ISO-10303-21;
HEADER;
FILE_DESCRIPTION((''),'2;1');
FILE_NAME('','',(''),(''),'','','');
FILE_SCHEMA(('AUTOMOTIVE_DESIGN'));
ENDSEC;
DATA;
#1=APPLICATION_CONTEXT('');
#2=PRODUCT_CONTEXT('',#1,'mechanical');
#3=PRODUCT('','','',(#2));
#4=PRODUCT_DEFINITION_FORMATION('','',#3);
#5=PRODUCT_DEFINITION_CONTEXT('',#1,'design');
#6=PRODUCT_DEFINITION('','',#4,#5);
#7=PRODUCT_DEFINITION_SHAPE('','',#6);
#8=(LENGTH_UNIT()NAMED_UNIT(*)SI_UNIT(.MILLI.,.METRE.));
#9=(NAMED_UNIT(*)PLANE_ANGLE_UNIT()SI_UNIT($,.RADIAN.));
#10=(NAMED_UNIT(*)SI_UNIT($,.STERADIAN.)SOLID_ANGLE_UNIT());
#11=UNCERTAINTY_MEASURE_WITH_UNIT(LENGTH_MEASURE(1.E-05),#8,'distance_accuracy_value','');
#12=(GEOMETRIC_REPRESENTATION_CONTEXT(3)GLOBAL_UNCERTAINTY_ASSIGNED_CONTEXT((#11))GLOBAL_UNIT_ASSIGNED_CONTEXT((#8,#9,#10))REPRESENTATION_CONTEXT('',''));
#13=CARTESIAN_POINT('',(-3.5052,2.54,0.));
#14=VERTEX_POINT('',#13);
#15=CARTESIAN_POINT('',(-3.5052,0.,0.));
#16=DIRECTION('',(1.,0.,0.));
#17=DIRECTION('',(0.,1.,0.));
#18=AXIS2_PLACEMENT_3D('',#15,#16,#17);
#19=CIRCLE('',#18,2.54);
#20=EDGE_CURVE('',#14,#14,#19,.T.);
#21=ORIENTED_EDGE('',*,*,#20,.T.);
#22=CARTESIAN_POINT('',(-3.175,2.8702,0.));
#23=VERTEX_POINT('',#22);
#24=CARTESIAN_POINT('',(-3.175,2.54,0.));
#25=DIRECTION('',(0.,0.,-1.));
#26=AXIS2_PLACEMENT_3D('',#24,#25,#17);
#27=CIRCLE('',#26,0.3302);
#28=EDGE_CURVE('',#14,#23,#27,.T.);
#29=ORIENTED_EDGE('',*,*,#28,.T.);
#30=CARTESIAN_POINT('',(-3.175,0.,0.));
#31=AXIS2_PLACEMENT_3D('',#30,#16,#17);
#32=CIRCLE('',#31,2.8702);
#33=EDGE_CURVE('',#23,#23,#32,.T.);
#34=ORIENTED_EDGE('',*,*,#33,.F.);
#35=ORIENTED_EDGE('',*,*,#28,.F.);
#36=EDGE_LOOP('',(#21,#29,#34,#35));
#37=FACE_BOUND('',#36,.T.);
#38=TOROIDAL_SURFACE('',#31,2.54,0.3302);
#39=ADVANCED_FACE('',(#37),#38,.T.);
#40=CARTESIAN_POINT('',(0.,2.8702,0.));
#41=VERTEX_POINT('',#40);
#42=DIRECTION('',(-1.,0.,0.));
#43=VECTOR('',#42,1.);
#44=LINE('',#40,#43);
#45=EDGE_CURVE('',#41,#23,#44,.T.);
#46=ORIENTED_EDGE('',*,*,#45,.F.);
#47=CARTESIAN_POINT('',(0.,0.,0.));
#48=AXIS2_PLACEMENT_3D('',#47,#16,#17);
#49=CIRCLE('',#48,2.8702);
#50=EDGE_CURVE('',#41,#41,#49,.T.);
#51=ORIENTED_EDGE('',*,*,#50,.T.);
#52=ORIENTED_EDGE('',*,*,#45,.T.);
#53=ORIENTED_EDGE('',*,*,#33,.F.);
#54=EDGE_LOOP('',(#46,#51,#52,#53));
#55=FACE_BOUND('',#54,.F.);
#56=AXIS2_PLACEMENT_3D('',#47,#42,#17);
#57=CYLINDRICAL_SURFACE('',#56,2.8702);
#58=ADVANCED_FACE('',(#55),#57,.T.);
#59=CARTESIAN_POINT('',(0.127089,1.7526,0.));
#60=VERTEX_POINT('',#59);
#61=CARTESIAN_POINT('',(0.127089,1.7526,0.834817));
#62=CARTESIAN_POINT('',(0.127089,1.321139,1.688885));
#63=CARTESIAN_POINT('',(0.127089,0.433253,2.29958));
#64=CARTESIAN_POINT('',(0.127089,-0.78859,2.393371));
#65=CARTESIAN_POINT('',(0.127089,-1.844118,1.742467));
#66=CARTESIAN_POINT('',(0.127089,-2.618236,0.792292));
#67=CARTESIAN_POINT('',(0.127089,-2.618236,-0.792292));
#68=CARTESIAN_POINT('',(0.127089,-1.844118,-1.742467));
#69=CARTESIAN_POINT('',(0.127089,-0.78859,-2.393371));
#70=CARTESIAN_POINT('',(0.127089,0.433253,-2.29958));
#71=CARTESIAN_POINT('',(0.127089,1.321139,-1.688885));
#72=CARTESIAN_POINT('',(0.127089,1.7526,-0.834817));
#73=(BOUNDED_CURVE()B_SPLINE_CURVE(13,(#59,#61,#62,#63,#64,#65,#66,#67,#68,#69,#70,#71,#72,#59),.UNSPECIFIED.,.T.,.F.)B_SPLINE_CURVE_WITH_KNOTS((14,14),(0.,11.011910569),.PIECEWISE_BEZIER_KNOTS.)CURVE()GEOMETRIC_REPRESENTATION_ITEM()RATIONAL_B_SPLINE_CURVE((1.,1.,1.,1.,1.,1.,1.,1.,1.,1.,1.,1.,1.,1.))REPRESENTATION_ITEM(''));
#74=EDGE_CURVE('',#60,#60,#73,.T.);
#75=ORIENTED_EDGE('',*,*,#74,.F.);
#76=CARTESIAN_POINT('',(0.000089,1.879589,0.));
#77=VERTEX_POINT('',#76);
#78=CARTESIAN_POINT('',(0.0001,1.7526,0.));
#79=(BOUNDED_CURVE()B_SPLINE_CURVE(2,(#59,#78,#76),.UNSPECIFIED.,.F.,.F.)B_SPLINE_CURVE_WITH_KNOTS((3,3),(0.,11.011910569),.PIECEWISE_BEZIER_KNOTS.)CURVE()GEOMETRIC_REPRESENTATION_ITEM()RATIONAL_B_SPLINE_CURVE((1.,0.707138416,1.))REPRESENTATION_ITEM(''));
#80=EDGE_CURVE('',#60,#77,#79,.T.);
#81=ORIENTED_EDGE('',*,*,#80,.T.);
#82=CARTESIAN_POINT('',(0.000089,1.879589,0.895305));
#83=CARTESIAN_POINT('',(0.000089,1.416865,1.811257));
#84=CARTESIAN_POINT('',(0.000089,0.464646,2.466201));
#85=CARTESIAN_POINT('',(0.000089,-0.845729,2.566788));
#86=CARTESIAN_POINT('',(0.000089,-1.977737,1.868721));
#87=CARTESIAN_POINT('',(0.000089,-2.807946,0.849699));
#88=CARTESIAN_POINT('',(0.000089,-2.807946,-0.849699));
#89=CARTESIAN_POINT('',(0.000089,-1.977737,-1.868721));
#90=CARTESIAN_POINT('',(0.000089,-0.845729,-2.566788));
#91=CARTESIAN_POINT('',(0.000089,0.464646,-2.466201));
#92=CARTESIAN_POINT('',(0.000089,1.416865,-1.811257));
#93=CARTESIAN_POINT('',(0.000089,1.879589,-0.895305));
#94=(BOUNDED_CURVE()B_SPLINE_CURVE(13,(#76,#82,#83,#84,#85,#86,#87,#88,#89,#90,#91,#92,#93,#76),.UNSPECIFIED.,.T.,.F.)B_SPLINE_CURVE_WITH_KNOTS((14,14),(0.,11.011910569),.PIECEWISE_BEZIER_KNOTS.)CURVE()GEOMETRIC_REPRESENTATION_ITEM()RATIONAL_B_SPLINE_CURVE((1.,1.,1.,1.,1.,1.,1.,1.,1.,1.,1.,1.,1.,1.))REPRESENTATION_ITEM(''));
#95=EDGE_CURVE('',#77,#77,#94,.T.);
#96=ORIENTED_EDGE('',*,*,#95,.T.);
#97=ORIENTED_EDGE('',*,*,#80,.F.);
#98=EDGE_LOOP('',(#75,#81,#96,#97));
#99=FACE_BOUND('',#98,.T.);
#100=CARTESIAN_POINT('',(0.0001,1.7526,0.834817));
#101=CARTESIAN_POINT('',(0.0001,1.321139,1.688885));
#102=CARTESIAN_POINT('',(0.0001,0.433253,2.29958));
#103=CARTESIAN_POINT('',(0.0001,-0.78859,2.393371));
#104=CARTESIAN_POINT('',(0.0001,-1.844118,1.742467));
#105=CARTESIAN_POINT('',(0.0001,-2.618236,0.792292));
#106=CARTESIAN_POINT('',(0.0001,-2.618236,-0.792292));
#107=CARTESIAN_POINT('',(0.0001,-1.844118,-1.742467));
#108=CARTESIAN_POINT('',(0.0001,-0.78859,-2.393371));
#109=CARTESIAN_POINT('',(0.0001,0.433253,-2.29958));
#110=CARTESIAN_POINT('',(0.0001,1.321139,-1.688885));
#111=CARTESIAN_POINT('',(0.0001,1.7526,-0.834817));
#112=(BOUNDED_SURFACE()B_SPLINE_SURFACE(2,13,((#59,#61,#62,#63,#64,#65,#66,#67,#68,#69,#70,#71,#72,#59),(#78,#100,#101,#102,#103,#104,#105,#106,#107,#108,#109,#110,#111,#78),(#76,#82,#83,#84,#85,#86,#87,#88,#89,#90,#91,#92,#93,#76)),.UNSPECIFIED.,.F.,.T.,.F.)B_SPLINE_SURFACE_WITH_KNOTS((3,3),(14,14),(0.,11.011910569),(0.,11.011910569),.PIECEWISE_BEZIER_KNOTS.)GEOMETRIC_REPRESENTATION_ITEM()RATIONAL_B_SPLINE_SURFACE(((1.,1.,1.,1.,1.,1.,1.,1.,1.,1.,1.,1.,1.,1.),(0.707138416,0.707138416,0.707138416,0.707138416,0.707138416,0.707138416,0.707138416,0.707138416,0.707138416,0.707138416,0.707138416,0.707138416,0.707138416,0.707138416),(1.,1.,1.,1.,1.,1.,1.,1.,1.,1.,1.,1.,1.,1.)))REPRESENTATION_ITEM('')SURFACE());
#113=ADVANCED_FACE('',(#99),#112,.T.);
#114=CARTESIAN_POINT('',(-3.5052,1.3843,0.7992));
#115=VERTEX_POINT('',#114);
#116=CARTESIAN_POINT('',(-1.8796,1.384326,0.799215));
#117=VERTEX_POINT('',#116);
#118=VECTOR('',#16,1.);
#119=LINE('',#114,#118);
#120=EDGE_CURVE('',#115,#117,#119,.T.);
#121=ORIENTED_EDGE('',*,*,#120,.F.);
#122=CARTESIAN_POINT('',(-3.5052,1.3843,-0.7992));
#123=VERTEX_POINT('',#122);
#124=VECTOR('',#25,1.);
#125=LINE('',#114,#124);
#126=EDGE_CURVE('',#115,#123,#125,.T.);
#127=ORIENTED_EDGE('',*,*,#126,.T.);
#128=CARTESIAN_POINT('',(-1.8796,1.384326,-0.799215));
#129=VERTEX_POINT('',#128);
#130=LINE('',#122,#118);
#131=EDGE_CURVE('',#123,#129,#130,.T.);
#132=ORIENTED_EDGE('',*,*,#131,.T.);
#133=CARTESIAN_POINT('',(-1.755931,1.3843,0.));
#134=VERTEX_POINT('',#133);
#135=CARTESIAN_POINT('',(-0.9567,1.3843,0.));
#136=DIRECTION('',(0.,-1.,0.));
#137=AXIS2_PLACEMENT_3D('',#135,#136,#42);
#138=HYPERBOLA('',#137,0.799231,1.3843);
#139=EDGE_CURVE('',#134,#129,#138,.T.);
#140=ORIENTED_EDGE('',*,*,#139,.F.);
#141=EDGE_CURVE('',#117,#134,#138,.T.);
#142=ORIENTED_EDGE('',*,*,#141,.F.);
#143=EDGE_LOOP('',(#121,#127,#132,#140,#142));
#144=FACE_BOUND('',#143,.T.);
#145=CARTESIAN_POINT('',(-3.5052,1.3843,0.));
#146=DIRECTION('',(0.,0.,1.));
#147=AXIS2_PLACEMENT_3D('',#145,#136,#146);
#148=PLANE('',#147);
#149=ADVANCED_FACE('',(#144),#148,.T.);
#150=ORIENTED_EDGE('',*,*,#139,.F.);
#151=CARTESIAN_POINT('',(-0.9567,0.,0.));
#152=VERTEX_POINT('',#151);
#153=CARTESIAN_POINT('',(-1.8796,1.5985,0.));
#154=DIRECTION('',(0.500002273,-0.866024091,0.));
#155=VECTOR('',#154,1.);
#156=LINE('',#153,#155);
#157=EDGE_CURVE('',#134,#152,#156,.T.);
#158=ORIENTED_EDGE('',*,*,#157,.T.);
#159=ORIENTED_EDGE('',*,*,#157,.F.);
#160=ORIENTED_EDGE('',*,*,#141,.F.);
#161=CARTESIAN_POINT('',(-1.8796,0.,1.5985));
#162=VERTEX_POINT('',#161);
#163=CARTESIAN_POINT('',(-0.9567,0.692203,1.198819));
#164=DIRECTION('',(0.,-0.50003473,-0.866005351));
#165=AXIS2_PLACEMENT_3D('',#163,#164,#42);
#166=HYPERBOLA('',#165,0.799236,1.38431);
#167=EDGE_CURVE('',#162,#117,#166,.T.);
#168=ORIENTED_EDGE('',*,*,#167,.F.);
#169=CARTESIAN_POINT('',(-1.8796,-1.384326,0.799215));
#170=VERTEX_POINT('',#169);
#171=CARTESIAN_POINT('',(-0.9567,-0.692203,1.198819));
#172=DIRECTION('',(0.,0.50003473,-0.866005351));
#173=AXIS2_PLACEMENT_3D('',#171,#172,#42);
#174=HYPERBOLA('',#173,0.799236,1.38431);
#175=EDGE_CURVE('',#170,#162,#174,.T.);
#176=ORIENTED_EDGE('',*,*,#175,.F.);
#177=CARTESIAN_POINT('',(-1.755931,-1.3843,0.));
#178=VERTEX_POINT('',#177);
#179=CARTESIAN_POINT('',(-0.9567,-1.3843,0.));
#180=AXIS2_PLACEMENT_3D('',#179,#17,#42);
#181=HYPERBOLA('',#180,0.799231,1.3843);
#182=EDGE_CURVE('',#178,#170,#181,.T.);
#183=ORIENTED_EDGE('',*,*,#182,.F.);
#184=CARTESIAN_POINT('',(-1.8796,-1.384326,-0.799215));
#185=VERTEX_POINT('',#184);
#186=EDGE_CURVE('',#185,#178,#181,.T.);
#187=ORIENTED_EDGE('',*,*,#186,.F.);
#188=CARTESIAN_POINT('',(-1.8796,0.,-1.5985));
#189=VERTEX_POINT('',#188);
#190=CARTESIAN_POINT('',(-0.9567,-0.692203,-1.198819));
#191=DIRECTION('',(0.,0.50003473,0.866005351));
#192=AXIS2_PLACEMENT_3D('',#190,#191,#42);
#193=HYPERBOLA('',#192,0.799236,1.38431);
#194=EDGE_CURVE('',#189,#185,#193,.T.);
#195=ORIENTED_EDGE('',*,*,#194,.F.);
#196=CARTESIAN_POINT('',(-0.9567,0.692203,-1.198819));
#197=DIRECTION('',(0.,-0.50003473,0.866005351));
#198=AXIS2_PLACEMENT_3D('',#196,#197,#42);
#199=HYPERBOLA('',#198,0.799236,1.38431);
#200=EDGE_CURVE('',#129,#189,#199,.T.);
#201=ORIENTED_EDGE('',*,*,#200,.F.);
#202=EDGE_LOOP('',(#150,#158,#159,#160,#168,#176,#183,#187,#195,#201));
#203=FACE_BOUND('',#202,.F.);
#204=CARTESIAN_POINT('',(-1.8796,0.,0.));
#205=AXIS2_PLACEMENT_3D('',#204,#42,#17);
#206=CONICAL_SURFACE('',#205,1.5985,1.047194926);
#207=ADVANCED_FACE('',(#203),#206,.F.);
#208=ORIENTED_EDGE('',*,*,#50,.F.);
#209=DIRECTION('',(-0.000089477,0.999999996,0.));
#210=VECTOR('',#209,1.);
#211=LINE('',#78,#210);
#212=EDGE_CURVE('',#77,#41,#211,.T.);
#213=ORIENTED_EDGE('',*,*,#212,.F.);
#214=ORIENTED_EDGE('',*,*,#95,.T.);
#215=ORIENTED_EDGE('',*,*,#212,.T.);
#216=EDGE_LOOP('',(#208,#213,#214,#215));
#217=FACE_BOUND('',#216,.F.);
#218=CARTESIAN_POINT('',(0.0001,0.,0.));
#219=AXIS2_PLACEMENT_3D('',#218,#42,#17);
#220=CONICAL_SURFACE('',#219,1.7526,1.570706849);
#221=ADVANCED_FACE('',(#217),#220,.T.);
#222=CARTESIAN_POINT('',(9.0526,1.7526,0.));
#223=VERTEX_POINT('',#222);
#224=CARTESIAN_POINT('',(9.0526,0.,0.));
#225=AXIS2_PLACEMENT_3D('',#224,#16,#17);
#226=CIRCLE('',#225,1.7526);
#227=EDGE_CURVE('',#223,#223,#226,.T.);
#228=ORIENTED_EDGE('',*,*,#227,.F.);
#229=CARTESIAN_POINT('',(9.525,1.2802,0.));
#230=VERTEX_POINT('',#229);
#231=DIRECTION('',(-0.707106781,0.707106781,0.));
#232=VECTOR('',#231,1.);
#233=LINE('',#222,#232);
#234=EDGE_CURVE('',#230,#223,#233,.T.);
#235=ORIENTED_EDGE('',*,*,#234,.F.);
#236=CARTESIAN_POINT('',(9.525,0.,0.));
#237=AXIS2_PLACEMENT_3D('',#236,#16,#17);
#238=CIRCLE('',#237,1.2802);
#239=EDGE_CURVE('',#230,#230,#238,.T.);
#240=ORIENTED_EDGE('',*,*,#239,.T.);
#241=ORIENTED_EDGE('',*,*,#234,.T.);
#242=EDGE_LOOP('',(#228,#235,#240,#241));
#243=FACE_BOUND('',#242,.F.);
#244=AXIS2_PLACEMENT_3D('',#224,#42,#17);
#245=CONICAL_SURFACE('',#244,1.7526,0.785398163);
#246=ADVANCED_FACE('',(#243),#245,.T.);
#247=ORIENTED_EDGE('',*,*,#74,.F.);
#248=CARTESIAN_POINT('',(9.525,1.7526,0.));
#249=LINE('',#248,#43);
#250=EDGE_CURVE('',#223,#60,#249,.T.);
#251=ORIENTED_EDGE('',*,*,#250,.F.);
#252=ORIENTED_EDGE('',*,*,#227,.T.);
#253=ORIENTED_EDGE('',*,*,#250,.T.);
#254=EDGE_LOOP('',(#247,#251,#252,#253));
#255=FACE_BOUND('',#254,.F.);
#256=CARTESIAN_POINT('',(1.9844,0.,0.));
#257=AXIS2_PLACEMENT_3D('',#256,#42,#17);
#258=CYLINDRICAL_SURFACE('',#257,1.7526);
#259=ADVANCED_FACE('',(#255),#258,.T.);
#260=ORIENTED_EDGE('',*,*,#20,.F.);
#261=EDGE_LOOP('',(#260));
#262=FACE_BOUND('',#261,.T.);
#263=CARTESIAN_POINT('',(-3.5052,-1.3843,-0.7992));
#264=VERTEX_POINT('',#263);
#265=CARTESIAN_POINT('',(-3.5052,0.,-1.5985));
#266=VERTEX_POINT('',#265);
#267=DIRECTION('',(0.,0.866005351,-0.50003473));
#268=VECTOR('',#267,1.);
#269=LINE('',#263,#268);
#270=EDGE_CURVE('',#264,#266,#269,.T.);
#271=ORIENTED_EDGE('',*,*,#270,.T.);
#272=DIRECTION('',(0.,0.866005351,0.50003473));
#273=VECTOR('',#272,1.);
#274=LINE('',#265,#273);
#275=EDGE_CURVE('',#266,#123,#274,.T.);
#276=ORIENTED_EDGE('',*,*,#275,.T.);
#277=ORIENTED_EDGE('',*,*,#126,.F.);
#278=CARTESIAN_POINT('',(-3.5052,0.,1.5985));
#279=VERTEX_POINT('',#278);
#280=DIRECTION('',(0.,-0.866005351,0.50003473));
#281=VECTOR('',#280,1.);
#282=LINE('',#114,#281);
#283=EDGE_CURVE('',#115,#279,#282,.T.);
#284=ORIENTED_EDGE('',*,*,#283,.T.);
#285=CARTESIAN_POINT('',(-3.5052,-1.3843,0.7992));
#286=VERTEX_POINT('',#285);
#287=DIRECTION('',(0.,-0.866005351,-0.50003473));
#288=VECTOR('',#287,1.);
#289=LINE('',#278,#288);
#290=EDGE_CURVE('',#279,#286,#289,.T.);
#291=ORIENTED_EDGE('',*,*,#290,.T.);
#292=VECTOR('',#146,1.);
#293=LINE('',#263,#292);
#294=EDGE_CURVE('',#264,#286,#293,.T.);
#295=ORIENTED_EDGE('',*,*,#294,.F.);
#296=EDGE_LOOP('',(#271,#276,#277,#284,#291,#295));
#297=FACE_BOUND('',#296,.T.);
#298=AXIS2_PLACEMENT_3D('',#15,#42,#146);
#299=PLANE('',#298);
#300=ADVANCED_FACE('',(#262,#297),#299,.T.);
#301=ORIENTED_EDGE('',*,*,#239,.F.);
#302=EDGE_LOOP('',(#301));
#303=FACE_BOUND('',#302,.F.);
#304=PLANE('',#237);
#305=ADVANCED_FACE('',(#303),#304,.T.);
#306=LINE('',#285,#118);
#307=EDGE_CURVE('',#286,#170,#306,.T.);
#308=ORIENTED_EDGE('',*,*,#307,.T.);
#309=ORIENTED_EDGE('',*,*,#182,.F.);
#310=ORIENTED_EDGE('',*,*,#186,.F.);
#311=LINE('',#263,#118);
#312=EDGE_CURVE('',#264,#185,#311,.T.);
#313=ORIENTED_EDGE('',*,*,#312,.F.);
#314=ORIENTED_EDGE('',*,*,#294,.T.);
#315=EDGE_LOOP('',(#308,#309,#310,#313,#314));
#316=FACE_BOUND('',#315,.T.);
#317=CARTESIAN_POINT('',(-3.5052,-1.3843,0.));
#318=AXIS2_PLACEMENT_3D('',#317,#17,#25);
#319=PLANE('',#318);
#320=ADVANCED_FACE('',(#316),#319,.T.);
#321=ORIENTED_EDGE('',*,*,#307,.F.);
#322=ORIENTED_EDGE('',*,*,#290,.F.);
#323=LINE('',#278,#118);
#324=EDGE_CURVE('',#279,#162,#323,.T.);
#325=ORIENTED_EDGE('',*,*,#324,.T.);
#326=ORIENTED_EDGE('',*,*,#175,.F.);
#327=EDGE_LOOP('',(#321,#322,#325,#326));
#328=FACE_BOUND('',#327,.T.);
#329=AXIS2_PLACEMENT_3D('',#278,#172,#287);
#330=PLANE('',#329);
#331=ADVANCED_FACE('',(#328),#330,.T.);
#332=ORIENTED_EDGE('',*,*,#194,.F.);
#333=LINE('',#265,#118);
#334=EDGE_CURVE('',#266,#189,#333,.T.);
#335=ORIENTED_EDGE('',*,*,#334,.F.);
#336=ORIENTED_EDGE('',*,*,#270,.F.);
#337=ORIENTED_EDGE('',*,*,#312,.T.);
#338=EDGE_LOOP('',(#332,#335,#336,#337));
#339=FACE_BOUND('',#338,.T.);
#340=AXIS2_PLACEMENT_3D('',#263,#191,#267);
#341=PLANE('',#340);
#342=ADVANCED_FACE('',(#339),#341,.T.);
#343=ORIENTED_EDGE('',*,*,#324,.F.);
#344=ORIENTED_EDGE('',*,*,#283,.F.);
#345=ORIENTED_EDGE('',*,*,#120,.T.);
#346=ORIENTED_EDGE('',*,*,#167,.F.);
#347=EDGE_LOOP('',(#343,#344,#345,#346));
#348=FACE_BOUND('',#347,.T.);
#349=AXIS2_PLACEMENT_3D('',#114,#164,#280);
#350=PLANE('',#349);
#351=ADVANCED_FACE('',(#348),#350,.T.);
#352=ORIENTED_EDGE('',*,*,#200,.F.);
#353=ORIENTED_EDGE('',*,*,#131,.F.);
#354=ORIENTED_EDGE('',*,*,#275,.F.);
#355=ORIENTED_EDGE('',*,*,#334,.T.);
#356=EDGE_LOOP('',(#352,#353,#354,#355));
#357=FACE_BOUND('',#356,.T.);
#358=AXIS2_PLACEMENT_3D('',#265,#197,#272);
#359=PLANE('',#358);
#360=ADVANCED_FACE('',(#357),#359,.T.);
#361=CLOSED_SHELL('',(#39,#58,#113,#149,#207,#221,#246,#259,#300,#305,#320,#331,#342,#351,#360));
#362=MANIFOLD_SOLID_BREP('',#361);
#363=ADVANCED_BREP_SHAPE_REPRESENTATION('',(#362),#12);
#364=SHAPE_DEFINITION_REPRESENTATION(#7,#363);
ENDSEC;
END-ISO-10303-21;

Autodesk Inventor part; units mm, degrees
ref_plane "YZ Plane" through (0, 0, 0) normal (1, 0, 0) x (0, 1, 0)
ref_plane "XZ Plane" through (0, 0, 0) normal (0, 1, 0) x (-1, 0, 0)
sketch "Sketch1" plane through (0, 0, 0) normal (0, 0, 1) x (1, 0, 0)
  line L0 (-0.9567, 0) -> (9.525, 0)
  line L1 (9.525, 0) -> (9.525, 1.7526)
  line L2 (9.525, 1.7526) -> (1.9844, 1.7526)
  line L3 (1.9844, 1.7526) -> (0.0001, 1.7526)
  line L4 (0.0001, 1.7526) -> (0, 1.7526)
  line L5 (0, 1.7526) -> (0, 2.8702)
  line L6 (0, 2.8702) -> (-3.5052, 2.8702)
  line L7 (-3.5052, 2.8702) -> (-3.5052, 1.5985)
  line L8 (-3.5052, 1.5985) -> (-1.8796, 1.5985)
  line L9 (-1.8796, 1.5985) -> (-0.9567, 0)
  line L10 (-6.1112, 0) -> (12.131, 0) projected
  line L11 (0, -0.574) -> (0, 3.4442) projected
  line L12 (1.9844, 1.7526) -> (0, 1.7526) construction
  dimension "d1" = 7.5405
  dimension "d2" = 1.9844
  dimension "d3" = 3.5052
  dimension "d4" = 1.6256
  dimension "d5" = 60
  dimension "d6" = 3.5052
  dimension "d7" = 3.5052
  dimension "d8" = 3.1969
  dimension "d9" = 5.7404
  dimension "d26" = 9.525
revolve "Body" add sketch "Sketch1" angle 360 about axis through (-0.9567, 0, 0) along (1, 0, 0)
sketch "Sketch2" plane through (-3.5052, 0, 0) normal (-1, 0, 0) x (0, 0, 1)
  circle A0 centre (0, 0) radius 1.5985 projected
  line L0 (0, -4.0183) -> (0, 4.0183) projected
  line L1 (-4.0183, 0) -> (4.0183, 0) projected
  line L2 (1.5985, 0) -> (0.7992, -1.3843)
  line L3 (0.7992, -1.3843) -> (-0.7992, -1.3843)
  line L4 (-0.7992, -1.3843) -> (-1.5985, 0)
  line L5 (-1.5985, 0) -> (-0.7992, 1.3843)
  line L6 (-0.7992, 1.3843) -> (0.7992, 1.3843)
  line L7 (0.7992, 1.3843) -> (1.5985, 0)
extrude "Slot" add sketch "Sketch2" against normal up to next contours L7 A0 | A0 L2 | L6 L0 A0 | A0 L0 L3 | L0 L6 A0 | A0 L3 L0 | L4 A0 | A0 L5
fillet "Fillet1" radius 0.3302 1 edges at (-3.5052, -2.8702, 0)
thread "Thread" size "6-32 UNC" class "2A" standard "ANSI Unified Screw Threads" length 7.5406
chamfer "Chamfer1" distance 0.4724 distance2 0.4724 1 edges at (9.525, -1.7526, 0) measured on face at (9.525, 0.5173, 0.2715)
ref_plane "Work Plane1" through (29, 0, 0) normal (0, -1, 0) x (1, 0, 0)
fillet "Fillet2" radius 0.127 1 edges at (0.0001, -1.7526, 0)
equation "\"d1\" = GEL"
equation "\"d3\" = KOH"
equation "\"d4\" = INTI"
equation "\"d6\" = GD"
equation "\"d7\" = BDM"
equation "\"d8\" = 1.1547 * SW"
equation "\"d9\" = KOD"
equation "\"d26\" = NLG"
equation "\"d30\" = R"
equation "\"d17\" = RR"
equation "\"d13\" = GEL"
equation "\"d15\" = -0.5 * SPD + 0.5 * GD"
equation "\"d16\" = GUL"
equation "\"GD\" = 3.5052"
equation "\"NLG\" = 9.525"
equation "\"GEL\" = 7.54055"
equation "\"KOD\" = 5.7404"
equation "\"KOH\" = 3.5052"
equation "\"INTI\" = 1.6256"
equation "\"GAL\" = 1.98425"
equation "\"GUL\" = 0.47244"
equation "\"BDM\" = 3.5052"
equation "\"SW\" = 2.7686"
equation "\"RR\" = 0.3302"
equation "\"SPD\" = 2.56032"
equation "\"R\" = 0.127"
equation "\"PHH\" = 0.127"
equation "\"GD1\" = SPD"
equation "\"THREADDIA\" = 3.5052"
equation "\"FAWI\" = 45deg"
equation "\"KOH1\" = 3.1496"
equation "\"NND\" = 3.5052"
equation "\"TOA\" = 30deg"
equation "\"E0\" = 1.155 * SW"
properties part number "ANSI B18.3 - No. 6 - 32 UNC - 3/8 HS HCS" material "Steel, Alloy"
